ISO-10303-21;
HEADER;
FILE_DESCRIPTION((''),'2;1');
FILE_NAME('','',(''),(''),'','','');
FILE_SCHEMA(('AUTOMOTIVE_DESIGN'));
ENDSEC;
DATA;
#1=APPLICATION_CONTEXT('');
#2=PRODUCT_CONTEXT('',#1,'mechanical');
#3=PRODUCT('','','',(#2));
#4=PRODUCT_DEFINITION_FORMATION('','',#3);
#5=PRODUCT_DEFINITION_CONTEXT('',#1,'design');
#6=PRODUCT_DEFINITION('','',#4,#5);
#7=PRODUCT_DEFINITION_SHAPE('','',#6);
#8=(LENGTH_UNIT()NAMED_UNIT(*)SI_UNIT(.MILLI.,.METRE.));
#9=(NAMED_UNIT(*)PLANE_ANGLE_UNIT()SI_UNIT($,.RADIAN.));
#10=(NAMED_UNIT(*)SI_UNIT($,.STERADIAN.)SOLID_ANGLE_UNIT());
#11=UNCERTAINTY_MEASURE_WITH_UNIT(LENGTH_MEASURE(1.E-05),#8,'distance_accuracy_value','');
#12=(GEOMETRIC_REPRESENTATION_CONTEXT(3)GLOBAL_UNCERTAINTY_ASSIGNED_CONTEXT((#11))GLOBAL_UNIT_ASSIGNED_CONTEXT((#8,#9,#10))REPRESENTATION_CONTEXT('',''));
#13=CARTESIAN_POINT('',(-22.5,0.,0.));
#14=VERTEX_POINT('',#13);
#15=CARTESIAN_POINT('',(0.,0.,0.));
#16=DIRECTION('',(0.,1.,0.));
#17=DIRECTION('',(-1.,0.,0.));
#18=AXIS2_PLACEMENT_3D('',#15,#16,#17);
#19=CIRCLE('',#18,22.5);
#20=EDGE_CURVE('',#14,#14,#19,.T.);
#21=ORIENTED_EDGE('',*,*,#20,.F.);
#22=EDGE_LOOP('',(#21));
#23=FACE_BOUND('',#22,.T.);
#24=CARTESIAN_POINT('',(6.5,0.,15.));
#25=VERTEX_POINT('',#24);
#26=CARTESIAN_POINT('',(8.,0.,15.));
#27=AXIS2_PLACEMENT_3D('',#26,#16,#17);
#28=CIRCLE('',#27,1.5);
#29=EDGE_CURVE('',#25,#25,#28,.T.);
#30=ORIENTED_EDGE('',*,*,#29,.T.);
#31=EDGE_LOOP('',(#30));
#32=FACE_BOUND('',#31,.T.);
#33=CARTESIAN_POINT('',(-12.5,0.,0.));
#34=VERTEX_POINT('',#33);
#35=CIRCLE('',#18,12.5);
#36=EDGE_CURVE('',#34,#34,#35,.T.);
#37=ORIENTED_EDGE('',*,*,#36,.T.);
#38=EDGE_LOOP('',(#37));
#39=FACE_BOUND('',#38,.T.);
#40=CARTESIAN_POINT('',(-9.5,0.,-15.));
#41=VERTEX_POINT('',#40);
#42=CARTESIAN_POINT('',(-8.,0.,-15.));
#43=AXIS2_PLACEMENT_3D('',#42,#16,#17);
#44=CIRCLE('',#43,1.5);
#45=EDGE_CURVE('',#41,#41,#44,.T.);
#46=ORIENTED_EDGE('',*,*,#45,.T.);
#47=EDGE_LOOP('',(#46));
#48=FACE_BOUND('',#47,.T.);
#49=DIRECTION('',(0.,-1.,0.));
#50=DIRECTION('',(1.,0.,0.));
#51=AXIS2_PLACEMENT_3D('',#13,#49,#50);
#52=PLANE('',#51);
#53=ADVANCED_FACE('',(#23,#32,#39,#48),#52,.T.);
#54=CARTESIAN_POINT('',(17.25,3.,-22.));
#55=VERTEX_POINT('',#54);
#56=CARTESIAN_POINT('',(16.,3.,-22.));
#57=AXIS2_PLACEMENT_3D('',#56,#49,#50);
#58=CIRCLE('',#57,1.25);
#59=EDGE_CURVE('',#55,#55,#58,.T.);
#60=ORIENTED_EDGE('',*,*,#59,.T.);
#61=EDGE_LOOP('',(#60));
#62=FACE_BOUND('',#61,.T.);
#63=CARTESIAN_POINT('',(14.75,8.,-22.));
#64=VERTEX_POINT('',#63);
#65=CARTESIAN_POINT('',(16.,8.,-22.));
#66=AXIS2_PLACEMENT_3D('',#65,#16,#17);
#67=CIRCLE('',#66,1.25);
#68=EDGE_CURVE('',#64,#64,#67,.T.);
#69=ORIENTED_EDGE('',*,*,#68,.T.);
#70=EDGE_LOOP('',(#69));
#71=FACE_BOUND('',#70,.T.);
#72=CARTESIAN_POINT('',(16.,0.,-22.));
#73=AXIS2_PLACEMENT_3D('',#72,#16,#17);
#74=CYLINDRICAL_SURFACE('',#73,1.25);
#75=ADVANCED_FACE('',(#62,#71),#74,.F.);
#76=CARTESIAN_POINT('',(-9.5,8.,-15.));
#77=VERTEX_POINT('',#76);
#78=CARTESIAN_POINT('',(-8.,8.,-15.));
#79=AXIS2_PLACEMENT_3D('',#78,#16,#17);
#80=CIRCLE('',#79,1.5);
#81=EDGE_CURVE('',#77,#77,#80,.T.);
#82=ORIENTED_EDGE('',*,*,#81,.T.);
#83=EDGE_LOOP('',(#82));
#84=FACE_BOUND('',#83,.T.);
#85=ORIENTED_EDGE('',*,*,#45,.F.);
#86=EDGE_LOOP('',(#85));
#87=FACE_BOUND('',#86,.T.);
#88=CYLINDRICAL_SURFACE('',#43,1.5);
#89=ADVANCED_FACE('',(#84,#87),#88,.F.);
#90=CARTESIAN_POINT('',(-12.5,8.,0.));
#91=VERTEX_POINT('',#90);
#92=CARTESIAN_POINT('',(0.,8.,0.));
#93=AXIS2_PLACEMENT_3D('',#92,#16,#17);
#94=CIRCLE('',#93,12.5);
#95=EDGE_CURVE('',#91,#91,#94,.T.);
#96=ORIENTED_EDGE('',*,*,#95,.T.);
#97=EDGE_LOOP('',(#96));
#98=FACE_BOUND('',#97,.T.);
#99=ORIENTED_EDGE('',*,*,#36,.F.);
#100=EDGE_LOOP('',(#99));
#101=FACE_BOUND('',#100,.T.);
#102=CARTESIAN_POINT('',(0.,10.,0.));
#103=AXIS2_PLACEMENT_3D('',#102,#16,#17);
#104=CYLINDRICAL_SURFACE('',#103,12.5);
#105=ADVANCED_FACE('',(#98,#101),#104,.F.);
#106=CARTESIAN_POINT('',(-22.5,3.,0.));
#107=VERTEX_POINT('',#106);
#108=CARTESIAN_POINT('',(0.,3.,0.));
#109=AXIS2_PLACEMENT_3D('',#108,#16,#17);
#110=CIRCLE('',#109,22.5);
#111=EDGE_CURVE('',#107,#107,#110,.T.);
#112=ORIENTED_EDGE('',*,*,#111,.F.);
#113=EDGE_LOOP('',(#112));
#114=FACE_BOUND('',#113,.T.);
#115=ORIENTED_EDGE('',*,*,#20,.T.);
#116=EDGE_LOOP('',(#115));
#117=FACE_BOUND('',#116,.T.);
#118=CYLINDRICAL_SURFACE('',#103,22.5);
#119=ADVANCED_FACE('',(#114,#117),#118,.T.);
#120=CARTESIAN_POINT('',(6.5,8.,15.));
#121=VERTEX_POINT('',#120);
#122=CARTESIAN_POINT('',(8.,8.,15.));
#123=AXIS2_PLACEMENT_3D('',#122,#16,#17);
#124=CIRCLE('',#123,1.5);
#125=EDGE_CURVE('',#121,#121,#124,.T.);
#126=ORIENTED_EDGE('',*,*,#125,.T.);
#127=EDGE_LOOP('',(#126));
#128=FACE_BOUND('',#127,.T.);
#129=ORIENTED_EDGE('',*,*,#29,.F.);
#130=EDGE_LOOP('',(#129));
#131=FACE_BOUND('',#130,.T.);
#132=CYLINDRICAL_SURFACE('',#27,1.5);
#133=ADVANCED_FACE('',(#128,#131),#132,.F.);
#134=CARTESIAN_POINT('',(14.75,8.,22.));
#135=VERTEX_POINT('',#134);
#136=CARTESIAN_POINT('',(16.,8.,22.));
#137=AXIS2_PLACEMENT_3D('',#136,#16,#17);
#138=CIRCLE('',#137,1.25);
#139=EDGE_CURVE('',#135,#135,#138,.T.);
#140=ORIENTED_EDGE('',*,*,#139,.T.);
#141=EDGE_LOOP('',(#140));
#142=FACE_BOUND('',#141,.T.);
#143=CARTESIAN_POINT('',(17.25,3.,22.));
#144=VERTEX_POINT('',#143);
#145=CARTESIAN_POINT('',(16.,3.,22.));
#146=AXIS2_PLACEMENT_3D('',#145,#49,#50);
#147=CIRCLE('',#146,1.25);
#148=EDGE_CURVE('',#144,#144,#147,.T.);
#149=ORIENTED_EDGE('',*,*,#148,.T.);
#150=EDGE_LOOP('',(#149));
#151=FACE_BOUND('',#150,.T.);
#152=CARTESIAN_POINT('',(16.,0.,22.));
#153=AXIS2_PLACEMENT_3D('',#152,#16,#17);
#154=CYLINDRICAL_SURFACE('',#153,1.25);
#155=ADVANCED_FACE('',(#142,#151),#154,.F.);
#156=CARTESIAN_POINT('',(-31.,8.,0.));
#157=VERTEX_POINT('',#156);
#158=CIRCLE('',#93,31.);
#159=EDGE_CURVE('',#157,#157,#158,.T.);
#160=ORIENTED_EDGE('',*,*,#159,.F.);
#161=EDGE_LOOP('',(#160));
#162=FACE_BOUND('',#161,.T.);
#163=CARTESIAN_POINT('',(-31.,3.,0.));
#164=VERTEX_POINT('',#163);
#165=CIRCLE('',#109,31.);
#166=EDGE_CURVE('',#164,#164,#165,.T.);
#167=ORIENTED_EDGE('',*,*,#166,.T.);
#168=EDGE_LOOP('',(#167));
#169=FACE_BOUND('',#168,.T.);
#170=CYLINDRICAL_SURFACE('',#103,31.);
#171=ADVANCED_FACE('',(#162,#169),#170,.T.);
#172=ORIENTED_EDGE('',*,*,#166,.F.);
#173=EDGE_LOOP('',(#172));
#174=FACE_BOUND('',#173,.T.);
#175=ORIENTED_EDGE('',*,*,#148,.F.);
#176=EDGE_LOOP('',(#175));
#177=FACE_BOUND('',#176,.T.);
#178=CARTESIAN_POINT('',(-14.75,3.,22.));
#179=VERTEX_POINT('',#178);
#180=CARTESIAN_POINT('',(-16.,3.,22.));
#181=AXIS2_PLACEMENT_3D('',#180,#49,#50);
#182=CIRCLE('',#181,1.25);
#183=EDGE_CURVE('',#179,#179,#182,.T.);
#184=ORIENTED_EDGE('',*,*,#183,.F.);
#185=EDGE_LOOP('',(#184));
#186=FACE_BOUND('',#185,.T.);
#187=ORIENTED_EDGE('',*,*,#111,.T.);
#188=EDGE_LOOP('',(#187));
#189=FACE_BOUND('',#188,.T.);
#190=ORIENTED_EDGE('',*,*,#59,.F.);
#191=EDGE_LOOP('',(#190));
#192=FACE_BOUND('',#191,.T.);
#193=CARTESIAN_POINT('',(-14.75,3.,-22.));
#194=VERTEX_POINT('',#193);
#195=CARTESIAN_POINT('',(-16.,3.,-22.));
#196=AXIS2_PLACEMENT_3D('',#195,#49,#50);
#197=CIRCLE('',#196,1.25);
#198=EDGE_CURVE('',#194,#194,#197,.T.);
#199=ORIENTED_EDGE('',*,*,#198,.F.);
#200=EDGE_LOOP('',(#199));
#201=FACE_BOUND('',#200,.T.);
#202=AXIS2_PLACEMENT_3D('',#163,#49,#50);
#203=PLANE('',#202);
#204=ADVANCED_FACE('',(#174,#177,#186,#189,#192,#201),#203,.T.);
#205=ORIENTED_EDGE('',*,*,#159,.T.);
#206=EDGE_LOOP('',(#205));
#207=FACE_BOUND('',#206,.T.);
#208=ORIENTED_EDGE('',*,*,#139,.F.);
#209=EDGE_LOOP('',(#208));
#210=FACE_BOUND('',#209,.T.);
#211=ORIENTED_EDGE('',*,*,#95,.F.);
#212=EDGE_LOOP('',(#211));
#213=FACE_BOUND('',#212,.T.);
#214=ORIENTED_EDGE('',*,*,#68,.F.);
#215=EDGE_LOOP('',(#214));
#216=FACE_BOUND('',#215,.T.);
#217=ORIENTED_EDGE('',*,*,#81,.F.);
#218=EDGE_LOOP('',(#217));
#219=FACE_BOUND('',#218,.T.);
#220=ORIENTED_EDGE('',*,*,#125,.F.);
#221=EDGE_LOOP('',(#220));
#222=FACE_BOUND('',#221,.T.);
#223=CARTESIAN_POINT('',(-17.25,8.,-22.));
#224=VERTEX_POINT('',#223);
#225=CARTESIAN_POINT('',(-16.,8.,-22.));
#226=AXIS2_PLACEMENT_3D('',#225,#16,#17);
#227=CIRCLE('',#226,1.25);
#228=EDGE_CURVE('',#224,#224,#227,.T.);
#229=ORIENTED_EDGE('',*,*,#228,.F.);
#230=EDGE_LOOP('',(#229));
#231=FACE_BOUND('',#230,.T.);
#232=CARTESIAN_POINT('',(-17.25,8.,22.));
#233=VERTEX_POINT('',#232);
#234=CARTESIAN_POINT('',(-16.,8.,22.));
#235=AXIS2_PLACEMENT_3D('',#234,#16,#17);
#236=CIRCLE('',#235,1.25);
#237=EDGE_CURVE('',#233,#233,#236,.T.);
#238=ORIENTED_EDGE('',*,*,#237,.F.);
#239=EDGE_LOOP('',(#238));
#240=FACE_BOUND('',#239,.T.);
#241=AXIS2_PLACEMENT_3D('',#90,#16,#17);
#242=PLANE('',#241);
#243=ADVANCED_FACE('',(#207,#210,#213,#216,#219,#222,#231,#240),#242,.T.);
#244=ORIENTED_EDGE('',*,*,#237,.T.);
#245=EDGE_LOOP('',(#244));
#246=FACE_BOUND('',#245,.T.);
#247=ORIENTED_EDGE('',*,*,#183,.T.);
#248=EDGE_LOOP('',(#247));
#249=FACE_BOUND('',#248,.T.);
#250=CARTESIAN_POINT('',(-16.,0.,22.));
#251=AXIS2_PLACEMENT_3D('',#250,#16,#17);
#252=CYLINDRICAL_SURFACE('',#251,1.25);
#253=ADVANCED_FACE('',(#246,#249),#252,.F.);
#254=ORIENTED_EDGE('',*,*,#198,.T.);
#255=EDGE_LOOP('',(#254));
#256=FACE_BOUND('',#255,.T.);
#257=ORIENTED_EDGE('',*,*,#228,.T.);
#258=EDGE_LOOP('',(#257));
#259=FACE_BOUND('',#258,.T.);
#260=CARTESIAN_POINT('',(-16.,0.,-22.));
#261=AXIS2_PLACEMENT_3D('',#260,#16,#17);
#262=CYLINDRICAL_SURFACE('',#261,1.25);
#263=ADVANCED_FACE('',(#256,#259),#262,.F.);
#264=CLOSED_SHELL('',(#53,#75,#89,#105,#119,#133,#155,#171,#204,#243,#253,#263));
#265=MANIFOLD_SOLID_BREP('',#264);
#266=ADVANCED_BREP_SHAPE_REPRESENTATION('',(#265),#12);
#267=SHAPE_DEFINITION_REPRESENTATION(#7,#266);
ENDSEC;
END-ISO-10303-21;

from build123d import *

# Parameters (mm, degrees)
ESQUISSE2_R             = 1.25
ESQUISSE2_R_2           = 1.5
ENL_V_MAT_EXTRU_1_DEPTH = 8


with BuildPart() as part:
    # Esquisse1 → Révolution1 (revolve)
    with BuildSketch(Plane.XY):
        Polygon((-12.5, 8), (-31, 8), (-31, 3), (-22.5, 3), (-22.5, 0), (-12.5, 0), (-12.5, 7.91388756), align=None)
    revolve(axis=Axis((0, 10, 0), (0, -1, 0)))

    # Esquisse2 → Enlèv. mat.-Extru.1 (cut)
    with BuildSketch(Plane(origin=(0, 8, 0), x_dir=(1, 0, 0), z_dir=(0, 1, 0))):
        with Locations(Location((-16, 22, 0), (0, 0, 180))):
            Circle(ESQUISSE2_R)
        with Locations(Location((16, 22, 0), (0, 0, 180))):
            Circle(ESQUISSE2_R)
        with Locations(Location((16, -22, 0), (0, 0, 180))):
            Circle(ESQUISSE2_R)
        with Locations(Location((-16, -22, 0), (0, 0, 180))):
            Circle(ESQUISSE2_R)
        with Locations(Location((-8, 15, 0), (0, 0, 180))):
            Circle(ESQUISSE2_R_2)
        with Locations(Location((8, -15, 0), (0, 0, 180))):
            Circle(ESQUISSE2_R_2)
    extrude(amount=-ENL_V_MAT_EXTRU_1_DEPTH, mode=Mode.SUBTRACT)


solid = part.part
